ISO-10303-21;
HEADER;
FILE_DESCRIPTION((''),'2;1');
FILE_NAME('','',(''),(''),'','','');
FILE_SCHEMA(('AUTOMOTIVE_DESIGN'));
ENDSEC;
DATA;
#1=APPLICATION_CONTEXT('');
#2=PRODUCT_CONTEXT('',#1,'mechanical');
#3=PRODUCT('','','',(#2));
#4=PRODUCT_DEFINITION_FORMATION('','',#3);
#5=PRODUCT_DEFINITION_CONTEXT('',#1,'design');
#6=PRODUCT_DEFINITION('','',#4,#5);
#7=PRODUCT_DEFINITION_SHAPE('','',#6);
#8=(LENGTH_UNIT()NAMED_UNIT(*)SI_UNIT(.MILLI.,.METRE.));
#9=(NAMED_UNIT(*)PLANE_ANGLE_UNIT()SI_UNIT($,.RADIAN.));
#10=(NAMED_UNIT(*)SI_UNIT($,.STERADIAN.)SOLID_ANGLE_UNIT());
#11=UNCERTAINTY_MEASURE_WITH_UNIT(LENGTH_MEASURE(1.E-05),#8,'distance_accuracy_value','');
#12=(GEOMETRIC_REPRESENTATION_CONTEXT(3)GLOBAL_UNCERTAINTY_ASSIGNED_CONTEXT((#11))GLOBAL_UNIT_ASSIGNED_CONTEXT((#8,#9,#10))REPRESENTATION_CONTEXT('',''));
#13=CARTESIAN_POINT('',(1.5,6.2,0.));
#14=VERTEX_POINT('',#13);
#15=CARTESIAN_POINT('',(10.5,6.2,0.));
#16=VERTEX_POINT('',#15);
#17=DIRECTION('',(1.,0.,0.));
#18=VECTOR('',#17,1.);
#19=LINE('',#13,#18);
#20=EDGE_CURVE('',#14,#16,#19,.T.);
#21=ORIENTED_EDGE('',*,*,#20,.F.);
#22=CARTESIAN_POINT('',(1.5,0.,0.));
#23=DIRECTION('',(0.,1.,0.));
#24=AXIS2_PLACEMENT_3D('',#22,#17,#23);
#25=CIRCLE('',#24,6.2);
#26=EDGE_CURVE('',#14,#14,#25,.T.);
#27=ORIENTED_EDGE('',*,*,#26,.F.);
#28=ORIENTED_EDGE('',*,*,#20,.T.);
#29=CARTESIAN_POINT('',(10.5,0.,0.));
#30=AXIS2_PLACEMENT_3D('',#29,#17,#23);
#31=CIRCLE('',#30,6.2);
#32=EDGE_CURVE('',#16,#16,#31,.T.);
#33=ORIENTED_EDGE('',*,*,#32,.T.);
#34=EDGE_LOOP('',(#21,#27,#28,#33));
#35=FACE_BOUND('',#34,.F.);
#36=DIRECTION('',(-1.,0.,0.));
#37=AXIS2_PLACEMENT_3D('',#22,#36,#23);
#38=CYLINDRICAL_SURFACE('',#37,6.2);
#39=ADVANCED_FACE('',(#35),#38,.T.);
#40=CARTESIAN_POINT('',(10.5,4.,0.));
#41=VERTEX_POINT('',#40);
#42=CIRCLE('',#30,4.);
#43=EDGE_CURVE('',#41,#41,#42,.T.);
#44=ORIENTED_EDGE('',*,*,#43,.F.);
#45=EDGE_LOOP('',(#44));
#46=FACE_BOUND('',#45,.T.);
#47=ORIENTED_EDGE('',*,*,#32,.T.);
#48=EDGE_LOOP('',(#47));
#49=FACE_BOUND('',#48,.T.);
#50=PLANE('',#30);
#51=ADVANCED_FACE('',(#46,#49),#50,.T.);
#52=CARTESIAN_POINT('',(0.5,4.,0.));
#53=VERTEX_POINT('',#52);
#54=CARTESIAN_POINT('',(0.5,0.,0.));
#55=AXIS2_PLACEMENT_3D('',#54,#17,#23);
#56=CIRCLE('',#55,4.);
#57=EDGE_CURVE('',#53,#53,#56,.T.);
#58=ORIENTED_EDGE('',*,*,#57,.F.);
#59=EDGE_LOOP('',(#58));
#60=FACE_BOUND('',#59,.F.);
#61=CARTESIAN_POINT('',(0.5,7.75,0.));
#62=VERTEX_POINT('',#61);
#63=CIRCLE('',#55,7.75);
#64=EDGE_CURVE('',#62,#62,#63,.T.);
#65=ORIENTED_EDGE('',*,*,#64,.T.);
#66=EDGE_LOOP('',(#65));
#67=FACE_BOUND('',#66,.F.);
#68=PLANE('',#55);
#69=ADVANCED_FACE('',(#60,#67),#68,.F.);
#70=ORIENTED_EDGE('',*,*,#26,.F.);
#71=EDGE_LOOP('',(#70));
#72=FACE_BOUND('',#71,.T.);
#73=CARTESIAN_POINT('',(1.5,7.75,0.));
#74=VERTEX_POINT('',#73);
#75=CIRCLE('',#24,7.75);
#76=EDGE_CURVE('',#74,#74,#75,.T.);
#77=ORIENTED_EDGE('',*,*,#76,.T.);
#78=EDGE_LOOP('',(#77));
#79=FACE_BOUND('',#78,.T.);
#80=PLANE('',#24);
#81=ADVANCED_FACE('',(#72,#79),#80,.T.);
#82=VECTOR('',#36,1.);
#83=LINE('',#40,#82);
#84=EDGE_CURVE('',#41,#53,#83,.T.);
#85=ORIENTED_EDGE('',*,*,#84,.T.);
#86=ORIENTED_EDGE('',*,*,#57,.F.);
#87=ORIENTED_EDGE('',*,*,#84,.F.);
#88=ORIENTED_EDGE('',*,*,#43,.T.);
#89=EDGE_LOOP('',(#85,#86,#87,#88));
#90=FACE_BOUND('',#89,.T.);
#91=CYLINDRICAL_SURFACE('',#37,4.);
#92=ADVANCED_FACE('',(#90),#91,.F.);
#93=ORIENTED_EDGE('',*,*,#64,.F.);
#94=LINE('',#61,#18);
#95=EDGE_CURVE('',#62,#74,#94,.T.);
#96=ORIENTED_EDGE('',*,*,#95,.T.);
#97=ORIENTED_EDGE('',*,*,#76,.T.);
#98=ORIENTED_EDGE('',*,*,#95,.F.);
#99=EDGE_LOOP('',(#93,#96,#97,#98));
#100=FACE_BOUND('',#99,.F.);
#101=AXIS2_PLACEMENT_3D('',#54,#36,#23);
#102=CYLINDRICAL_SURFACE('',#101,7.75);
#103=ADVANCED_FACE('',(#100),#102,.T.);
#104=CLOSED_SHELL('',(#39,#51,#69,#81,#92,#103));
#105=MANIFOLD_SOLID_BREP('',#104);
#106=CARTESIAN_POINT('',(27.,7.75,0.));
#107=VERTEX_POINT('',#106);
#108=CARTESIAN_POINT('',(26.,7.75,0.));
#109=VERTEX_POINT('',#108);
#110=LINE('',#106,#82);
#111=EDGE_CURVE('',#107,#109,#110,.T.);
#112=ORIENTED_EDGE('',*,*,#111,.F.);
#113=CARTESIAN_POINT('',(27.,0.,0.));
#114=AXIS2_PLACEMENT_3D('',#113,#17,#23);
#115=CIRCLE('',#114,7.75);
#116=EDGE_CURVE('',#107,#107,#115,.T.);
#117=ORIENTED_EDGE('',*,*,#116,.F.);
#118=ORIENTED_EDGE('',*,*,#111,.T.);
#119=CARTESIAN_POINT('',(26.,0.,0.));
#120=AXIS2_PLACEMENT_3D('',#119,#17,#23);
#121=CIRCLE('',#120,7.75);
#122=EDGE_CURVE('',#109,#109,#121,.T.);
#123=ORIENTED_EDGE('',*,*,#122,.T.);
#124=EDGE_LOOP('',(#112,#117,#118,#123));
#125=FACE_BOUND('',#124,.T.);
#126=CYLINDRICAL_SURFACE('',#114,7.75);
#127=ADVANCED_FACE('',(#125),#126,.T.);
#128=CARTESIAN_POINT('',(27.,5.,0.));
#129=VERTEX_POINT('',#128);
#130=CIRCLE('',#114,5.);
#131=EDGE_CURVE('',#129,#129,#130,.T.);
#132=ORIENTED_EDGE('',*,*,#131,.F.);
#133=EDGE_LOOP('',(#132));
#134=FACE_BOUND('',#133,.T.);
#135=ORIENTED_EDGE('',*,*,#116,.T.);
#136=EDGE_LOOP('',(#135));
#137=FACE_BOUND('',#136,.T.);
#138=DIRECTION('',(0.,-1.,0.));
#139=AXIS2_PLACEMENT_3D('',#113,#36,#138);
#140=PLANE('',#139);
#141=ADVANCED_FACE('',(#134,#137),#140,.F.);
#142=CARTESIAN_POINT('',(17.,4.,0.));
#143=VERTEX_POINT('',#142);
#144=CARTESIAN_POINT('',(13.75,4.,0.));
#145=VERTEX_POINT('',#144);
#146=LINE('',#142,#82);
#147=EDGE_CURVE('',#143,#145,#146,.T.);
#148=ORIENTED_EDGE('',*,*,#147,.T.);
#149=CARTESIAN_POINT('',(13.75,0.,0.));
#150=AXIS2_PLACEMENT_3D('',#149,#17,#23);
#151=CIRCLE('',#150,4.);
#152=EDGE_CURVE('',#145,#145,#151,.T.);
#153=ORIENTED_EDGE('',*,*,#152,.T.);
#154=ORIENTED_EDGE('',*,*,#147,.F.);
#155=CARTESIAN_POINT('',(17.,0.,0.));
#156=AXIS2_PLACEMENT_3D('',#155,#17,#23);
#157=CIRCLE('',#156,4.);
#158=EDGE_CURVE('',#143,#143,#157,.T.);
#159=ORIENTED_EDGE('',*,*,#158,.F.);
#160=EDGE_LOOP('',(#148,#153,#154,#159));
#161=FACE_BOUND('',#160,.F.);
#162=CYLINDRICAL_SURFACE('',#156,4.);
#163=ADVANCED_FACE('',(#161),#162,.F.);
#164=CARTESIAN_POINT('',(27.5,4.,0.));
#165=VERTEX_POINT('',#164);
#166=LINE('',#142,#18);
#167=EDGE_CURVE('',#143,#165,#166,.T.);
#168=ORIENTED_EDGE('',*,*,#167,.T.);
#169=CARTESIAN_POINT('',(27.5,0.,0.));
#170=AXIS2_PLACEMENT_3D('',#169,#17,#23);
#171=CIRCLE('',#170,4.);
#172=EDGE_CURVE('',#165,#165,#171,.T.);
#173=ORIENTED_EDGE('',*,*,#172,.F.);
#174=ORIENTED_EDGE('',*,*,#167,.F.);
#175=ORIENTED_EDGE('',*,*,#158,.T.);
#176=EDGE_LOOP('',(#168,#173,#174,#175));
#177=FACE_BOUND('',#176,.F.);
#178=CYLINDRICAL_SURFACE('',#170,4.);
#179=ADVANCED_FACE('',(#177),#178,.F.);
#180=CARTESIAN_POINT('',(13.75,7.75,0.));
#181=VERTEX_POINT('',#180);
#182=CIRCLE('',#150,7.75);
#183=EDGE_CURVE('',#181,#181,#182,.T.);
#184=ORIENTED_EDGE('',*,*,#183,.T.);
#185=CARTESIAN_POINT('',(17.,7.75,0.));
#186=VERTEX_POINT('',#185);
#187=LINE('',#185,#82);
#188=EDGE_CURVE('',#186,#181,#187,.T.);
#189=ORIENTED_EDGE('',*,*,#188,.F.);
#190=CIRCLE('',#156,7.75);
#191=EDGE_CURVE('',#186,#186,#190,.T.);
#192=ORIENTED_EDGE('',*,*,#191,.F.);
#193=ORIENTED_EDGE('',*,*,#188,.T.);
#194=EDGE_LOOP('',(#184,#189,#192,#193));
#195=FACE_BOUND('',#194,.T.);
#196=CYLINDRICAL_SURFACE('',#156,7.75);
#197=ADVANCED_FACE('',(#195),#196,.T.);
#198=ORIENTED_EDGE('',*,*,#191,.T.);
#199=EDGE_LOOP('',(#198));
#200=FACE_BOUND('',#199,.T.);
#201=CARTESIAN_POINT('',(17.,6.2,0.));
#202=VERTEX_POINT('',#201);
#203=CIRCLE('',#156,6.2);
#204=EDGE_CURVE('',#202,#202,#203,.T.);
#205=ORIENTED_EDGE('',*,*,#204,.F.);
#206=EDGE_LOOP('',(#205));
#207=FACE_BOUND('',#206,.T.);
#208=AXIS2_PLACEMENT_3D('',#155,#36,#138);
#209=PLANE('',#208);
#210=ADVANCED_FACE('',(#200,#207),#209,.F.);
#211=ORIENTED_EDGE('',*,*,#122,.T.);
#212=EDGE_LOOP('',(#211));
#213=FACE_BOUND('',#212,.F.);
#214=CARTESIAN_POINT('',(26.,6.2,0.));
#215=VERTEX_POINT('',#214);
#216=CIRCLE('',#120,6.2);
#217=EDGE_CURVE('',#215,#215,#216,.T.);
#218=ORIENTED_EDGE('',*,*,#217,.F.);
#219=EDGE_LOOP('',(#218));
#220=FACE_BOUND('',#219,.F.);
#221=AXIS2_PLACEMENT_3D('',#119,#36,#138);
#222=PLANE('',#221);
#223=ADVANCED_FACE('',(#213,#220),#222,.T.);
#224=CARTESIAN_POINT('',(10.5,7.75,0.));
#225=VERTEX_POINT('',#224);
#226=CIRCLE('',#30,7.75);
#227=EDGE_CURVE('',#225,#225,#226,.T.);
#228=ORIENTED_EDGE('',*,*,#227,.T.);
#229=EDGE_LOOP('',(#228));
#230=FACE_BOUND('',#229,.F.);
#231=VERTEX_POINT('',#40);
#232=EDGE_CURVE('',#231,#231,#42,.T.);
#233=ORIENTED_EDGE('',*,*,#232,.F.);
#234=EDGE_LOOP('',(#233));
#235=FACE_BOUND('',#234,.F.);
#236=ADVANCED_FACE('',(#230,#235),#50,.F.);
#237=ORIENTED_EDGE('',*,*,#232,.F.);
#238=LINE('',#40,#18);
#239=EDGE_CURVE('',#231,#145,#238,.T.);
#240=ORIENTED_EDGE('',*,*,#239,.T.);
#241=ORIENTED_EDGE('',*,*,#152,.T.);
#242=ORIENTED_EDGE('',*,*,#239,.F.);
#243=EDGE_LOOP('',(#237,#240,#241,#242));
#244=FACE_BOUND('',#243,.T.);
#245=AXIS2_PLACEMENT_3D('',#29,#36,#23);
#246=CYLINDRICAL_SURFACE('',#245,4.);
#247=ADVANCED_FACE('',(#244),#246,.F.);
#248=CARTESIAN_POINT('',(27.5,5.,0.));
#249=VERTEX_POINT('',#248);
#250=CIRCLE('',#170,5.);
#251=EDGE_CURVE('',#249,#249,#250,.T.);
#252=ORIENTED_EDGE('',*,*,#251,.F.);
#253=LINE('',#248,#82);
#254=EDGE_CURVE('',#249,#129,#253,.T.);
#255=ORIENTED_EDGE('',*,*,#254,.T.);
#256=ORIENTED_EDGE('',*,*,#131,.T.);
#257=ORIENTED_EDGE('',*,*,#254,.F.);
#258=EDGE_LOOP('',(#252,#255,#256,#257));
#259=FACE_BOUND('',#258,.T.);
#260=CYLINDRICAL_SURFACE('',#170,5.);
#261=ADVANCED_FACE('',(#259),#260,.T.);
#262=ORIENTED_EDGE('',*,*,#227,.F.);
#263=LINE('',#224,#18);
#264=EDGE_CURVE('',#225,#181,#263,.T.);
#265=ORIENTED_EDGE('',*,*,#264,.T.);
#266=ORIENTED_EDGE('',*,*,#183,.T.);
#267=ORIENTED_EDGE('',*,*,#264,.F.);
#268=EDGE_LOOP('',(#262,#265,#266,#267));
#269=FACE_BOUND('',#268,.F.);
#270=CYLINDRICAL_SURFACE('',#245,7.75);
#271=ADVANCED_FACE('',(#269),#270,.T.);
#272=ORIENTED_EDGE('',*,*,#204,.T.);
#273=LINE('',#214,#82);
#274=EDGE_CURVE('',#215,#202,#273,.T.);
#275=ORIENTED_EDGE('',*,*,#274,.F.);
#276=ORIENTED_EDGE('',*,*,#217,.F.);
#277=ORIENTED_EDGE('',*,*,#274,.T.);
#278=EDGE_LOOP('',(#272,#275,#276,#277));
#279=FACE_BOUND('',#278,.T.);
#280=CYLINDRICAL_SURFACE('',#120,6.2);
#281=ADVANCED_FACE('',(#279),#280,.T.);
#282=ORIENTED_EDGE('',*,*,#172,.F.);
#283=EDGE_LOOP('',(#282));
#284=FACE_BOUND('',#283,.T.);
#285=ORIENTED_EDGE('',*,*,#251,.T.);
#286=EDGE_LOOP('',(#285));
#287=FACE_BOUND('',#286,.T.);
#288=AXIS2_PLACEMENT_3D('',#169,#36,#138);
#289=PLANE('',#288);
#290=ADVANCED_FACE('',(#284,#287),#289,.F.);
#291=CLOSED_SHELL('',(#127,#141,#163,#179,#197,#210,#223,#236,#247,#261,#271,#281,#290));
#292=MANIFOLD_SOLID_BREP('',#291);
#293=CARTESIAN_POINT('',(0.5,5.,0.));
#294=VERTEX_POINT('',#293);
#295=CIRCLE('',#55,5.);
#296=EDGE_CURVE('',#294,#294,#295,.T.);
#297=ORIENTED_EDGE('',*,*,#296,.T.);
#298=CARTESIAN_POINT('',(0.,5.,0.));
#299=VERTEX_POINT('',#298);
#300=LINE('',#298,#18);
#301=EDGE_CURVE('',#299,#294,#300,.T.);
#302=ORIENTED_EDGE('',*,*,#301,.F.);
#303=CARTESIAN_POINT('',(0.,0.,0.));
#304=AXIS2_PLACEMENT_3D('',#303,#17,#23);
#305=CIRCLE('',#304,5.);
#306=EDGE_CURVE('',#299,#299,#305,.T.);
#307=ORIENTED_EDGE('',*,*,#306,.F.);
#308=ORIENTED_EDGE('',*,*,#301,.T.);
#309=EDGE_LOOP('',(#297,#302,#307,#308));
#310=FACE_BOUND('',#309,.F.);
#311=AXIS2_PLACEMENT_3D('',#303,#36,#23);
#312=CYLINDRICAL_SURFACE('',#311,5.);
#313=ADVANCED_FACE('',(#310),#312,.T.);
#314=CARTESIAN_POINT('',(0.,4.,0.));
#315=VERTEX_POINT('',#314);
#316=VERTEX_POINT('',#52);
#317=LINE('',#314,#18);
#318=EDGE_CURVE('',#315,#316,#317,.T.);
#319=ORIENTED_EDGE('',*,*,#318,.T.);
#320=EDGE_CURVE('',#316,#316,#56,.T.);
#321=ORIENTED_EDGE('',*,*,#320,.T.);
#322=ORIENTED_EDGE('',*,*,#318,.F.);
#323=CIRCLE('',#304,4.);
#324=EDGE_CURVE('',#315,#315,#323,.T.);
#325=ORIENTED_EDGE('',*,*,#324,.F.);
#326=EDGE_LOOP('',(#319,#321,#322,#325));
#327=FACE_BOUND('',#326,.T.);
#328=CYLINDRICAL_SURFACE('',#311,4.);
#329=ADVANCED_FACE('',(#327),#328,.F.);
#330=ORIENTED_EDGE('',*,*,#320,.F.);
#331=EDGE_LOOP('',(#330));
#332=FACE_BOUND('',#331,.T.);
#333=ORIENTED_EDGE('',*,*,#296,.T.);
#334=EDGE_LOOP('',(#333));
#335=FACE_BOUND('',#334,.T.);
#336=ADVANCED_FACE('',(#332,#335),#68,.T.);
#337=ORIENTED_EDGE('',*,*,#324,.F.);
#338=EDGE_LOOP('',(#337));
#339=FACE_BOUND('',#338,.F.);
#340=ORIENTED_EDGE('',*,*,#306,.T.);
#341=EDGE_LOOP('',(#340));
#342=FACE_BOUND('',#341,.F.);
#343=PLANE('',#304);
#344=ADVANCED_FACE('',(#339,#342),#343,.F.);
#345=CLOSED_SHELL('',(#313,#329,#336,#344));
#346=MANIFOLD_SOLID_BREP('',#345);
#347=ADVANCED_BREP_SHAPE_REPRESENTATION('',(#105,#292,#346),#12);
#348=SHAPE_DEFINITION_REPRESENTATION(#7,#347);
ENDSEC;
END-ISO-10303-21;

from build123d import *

# Parameters (mm, degrees)
F0_R     = 5
F0_R_2   = 4
F1_DEPTH = 0.5
F2_R     = 7.75
F2_R_2   = 5
F2_R_3   = 4
F3_DEPTH = 1
F4_R     = 6.2
F4_R_2   = 4
F5_DEPTH = 9
F6_R     = 7.75
F6_R_2   = 4
F7_DEPTH = 3.25


with BuildPart() as f1:
    # F0 (on Right) → F1 (new body)
    with BuildSketch(Plane.YZ):
        Circle(F0_R)
        Circle(F0_R_2, mode=Mode.SUBTRACT)
    extrude(amount=F1_DEPTH)


with BuildPart() as f3:
    # F2 (on face) → F3 (new body)
    with BuildSketch(Plane.YZ.offset(0.5)):
        Circle(F2_R)
        Circle(F2_R_2, mode=Mode.SUBTRACT)
        Circle(F2_R_2)
        Circle(F2_R_3, mode=Mode.SUBTRACT)
    extrude(amount=F3_DEPTH)

    # F4 (on face) → F5 (join)
    with BuildSketch(Plane.YZ.offset(1.5)):
        Circle(F4_R)
        Circle(F4_R_2, mode=Mode.SUBTRACT)
    extrude(amount=F5_DEPTH)


with BuildPart() as f7:
    # F6 (on face) → F7 (new body)
    with BuildSketch(Plane.YZ.offset(10.5)):
        Circle(F6_R)
        Circle(F6_R_2, mode=Mode.SUBTRACT)
    extrude(amount=F7_DEPTH)



with BuildPart() as f7_1:
    add(f7.part)
    # F8: F3, F1, F7 across face
    add(f3.part.mirror(Plane.YZ.offset(13.75)))
    add(f1.part.mirror(Plane.YZ.offset(13.75)))
    add(f7.part.mirror(Plane.YZ.offset(13.75)))


solid = Compound([f1.part, f3.part, f7_1.part])
